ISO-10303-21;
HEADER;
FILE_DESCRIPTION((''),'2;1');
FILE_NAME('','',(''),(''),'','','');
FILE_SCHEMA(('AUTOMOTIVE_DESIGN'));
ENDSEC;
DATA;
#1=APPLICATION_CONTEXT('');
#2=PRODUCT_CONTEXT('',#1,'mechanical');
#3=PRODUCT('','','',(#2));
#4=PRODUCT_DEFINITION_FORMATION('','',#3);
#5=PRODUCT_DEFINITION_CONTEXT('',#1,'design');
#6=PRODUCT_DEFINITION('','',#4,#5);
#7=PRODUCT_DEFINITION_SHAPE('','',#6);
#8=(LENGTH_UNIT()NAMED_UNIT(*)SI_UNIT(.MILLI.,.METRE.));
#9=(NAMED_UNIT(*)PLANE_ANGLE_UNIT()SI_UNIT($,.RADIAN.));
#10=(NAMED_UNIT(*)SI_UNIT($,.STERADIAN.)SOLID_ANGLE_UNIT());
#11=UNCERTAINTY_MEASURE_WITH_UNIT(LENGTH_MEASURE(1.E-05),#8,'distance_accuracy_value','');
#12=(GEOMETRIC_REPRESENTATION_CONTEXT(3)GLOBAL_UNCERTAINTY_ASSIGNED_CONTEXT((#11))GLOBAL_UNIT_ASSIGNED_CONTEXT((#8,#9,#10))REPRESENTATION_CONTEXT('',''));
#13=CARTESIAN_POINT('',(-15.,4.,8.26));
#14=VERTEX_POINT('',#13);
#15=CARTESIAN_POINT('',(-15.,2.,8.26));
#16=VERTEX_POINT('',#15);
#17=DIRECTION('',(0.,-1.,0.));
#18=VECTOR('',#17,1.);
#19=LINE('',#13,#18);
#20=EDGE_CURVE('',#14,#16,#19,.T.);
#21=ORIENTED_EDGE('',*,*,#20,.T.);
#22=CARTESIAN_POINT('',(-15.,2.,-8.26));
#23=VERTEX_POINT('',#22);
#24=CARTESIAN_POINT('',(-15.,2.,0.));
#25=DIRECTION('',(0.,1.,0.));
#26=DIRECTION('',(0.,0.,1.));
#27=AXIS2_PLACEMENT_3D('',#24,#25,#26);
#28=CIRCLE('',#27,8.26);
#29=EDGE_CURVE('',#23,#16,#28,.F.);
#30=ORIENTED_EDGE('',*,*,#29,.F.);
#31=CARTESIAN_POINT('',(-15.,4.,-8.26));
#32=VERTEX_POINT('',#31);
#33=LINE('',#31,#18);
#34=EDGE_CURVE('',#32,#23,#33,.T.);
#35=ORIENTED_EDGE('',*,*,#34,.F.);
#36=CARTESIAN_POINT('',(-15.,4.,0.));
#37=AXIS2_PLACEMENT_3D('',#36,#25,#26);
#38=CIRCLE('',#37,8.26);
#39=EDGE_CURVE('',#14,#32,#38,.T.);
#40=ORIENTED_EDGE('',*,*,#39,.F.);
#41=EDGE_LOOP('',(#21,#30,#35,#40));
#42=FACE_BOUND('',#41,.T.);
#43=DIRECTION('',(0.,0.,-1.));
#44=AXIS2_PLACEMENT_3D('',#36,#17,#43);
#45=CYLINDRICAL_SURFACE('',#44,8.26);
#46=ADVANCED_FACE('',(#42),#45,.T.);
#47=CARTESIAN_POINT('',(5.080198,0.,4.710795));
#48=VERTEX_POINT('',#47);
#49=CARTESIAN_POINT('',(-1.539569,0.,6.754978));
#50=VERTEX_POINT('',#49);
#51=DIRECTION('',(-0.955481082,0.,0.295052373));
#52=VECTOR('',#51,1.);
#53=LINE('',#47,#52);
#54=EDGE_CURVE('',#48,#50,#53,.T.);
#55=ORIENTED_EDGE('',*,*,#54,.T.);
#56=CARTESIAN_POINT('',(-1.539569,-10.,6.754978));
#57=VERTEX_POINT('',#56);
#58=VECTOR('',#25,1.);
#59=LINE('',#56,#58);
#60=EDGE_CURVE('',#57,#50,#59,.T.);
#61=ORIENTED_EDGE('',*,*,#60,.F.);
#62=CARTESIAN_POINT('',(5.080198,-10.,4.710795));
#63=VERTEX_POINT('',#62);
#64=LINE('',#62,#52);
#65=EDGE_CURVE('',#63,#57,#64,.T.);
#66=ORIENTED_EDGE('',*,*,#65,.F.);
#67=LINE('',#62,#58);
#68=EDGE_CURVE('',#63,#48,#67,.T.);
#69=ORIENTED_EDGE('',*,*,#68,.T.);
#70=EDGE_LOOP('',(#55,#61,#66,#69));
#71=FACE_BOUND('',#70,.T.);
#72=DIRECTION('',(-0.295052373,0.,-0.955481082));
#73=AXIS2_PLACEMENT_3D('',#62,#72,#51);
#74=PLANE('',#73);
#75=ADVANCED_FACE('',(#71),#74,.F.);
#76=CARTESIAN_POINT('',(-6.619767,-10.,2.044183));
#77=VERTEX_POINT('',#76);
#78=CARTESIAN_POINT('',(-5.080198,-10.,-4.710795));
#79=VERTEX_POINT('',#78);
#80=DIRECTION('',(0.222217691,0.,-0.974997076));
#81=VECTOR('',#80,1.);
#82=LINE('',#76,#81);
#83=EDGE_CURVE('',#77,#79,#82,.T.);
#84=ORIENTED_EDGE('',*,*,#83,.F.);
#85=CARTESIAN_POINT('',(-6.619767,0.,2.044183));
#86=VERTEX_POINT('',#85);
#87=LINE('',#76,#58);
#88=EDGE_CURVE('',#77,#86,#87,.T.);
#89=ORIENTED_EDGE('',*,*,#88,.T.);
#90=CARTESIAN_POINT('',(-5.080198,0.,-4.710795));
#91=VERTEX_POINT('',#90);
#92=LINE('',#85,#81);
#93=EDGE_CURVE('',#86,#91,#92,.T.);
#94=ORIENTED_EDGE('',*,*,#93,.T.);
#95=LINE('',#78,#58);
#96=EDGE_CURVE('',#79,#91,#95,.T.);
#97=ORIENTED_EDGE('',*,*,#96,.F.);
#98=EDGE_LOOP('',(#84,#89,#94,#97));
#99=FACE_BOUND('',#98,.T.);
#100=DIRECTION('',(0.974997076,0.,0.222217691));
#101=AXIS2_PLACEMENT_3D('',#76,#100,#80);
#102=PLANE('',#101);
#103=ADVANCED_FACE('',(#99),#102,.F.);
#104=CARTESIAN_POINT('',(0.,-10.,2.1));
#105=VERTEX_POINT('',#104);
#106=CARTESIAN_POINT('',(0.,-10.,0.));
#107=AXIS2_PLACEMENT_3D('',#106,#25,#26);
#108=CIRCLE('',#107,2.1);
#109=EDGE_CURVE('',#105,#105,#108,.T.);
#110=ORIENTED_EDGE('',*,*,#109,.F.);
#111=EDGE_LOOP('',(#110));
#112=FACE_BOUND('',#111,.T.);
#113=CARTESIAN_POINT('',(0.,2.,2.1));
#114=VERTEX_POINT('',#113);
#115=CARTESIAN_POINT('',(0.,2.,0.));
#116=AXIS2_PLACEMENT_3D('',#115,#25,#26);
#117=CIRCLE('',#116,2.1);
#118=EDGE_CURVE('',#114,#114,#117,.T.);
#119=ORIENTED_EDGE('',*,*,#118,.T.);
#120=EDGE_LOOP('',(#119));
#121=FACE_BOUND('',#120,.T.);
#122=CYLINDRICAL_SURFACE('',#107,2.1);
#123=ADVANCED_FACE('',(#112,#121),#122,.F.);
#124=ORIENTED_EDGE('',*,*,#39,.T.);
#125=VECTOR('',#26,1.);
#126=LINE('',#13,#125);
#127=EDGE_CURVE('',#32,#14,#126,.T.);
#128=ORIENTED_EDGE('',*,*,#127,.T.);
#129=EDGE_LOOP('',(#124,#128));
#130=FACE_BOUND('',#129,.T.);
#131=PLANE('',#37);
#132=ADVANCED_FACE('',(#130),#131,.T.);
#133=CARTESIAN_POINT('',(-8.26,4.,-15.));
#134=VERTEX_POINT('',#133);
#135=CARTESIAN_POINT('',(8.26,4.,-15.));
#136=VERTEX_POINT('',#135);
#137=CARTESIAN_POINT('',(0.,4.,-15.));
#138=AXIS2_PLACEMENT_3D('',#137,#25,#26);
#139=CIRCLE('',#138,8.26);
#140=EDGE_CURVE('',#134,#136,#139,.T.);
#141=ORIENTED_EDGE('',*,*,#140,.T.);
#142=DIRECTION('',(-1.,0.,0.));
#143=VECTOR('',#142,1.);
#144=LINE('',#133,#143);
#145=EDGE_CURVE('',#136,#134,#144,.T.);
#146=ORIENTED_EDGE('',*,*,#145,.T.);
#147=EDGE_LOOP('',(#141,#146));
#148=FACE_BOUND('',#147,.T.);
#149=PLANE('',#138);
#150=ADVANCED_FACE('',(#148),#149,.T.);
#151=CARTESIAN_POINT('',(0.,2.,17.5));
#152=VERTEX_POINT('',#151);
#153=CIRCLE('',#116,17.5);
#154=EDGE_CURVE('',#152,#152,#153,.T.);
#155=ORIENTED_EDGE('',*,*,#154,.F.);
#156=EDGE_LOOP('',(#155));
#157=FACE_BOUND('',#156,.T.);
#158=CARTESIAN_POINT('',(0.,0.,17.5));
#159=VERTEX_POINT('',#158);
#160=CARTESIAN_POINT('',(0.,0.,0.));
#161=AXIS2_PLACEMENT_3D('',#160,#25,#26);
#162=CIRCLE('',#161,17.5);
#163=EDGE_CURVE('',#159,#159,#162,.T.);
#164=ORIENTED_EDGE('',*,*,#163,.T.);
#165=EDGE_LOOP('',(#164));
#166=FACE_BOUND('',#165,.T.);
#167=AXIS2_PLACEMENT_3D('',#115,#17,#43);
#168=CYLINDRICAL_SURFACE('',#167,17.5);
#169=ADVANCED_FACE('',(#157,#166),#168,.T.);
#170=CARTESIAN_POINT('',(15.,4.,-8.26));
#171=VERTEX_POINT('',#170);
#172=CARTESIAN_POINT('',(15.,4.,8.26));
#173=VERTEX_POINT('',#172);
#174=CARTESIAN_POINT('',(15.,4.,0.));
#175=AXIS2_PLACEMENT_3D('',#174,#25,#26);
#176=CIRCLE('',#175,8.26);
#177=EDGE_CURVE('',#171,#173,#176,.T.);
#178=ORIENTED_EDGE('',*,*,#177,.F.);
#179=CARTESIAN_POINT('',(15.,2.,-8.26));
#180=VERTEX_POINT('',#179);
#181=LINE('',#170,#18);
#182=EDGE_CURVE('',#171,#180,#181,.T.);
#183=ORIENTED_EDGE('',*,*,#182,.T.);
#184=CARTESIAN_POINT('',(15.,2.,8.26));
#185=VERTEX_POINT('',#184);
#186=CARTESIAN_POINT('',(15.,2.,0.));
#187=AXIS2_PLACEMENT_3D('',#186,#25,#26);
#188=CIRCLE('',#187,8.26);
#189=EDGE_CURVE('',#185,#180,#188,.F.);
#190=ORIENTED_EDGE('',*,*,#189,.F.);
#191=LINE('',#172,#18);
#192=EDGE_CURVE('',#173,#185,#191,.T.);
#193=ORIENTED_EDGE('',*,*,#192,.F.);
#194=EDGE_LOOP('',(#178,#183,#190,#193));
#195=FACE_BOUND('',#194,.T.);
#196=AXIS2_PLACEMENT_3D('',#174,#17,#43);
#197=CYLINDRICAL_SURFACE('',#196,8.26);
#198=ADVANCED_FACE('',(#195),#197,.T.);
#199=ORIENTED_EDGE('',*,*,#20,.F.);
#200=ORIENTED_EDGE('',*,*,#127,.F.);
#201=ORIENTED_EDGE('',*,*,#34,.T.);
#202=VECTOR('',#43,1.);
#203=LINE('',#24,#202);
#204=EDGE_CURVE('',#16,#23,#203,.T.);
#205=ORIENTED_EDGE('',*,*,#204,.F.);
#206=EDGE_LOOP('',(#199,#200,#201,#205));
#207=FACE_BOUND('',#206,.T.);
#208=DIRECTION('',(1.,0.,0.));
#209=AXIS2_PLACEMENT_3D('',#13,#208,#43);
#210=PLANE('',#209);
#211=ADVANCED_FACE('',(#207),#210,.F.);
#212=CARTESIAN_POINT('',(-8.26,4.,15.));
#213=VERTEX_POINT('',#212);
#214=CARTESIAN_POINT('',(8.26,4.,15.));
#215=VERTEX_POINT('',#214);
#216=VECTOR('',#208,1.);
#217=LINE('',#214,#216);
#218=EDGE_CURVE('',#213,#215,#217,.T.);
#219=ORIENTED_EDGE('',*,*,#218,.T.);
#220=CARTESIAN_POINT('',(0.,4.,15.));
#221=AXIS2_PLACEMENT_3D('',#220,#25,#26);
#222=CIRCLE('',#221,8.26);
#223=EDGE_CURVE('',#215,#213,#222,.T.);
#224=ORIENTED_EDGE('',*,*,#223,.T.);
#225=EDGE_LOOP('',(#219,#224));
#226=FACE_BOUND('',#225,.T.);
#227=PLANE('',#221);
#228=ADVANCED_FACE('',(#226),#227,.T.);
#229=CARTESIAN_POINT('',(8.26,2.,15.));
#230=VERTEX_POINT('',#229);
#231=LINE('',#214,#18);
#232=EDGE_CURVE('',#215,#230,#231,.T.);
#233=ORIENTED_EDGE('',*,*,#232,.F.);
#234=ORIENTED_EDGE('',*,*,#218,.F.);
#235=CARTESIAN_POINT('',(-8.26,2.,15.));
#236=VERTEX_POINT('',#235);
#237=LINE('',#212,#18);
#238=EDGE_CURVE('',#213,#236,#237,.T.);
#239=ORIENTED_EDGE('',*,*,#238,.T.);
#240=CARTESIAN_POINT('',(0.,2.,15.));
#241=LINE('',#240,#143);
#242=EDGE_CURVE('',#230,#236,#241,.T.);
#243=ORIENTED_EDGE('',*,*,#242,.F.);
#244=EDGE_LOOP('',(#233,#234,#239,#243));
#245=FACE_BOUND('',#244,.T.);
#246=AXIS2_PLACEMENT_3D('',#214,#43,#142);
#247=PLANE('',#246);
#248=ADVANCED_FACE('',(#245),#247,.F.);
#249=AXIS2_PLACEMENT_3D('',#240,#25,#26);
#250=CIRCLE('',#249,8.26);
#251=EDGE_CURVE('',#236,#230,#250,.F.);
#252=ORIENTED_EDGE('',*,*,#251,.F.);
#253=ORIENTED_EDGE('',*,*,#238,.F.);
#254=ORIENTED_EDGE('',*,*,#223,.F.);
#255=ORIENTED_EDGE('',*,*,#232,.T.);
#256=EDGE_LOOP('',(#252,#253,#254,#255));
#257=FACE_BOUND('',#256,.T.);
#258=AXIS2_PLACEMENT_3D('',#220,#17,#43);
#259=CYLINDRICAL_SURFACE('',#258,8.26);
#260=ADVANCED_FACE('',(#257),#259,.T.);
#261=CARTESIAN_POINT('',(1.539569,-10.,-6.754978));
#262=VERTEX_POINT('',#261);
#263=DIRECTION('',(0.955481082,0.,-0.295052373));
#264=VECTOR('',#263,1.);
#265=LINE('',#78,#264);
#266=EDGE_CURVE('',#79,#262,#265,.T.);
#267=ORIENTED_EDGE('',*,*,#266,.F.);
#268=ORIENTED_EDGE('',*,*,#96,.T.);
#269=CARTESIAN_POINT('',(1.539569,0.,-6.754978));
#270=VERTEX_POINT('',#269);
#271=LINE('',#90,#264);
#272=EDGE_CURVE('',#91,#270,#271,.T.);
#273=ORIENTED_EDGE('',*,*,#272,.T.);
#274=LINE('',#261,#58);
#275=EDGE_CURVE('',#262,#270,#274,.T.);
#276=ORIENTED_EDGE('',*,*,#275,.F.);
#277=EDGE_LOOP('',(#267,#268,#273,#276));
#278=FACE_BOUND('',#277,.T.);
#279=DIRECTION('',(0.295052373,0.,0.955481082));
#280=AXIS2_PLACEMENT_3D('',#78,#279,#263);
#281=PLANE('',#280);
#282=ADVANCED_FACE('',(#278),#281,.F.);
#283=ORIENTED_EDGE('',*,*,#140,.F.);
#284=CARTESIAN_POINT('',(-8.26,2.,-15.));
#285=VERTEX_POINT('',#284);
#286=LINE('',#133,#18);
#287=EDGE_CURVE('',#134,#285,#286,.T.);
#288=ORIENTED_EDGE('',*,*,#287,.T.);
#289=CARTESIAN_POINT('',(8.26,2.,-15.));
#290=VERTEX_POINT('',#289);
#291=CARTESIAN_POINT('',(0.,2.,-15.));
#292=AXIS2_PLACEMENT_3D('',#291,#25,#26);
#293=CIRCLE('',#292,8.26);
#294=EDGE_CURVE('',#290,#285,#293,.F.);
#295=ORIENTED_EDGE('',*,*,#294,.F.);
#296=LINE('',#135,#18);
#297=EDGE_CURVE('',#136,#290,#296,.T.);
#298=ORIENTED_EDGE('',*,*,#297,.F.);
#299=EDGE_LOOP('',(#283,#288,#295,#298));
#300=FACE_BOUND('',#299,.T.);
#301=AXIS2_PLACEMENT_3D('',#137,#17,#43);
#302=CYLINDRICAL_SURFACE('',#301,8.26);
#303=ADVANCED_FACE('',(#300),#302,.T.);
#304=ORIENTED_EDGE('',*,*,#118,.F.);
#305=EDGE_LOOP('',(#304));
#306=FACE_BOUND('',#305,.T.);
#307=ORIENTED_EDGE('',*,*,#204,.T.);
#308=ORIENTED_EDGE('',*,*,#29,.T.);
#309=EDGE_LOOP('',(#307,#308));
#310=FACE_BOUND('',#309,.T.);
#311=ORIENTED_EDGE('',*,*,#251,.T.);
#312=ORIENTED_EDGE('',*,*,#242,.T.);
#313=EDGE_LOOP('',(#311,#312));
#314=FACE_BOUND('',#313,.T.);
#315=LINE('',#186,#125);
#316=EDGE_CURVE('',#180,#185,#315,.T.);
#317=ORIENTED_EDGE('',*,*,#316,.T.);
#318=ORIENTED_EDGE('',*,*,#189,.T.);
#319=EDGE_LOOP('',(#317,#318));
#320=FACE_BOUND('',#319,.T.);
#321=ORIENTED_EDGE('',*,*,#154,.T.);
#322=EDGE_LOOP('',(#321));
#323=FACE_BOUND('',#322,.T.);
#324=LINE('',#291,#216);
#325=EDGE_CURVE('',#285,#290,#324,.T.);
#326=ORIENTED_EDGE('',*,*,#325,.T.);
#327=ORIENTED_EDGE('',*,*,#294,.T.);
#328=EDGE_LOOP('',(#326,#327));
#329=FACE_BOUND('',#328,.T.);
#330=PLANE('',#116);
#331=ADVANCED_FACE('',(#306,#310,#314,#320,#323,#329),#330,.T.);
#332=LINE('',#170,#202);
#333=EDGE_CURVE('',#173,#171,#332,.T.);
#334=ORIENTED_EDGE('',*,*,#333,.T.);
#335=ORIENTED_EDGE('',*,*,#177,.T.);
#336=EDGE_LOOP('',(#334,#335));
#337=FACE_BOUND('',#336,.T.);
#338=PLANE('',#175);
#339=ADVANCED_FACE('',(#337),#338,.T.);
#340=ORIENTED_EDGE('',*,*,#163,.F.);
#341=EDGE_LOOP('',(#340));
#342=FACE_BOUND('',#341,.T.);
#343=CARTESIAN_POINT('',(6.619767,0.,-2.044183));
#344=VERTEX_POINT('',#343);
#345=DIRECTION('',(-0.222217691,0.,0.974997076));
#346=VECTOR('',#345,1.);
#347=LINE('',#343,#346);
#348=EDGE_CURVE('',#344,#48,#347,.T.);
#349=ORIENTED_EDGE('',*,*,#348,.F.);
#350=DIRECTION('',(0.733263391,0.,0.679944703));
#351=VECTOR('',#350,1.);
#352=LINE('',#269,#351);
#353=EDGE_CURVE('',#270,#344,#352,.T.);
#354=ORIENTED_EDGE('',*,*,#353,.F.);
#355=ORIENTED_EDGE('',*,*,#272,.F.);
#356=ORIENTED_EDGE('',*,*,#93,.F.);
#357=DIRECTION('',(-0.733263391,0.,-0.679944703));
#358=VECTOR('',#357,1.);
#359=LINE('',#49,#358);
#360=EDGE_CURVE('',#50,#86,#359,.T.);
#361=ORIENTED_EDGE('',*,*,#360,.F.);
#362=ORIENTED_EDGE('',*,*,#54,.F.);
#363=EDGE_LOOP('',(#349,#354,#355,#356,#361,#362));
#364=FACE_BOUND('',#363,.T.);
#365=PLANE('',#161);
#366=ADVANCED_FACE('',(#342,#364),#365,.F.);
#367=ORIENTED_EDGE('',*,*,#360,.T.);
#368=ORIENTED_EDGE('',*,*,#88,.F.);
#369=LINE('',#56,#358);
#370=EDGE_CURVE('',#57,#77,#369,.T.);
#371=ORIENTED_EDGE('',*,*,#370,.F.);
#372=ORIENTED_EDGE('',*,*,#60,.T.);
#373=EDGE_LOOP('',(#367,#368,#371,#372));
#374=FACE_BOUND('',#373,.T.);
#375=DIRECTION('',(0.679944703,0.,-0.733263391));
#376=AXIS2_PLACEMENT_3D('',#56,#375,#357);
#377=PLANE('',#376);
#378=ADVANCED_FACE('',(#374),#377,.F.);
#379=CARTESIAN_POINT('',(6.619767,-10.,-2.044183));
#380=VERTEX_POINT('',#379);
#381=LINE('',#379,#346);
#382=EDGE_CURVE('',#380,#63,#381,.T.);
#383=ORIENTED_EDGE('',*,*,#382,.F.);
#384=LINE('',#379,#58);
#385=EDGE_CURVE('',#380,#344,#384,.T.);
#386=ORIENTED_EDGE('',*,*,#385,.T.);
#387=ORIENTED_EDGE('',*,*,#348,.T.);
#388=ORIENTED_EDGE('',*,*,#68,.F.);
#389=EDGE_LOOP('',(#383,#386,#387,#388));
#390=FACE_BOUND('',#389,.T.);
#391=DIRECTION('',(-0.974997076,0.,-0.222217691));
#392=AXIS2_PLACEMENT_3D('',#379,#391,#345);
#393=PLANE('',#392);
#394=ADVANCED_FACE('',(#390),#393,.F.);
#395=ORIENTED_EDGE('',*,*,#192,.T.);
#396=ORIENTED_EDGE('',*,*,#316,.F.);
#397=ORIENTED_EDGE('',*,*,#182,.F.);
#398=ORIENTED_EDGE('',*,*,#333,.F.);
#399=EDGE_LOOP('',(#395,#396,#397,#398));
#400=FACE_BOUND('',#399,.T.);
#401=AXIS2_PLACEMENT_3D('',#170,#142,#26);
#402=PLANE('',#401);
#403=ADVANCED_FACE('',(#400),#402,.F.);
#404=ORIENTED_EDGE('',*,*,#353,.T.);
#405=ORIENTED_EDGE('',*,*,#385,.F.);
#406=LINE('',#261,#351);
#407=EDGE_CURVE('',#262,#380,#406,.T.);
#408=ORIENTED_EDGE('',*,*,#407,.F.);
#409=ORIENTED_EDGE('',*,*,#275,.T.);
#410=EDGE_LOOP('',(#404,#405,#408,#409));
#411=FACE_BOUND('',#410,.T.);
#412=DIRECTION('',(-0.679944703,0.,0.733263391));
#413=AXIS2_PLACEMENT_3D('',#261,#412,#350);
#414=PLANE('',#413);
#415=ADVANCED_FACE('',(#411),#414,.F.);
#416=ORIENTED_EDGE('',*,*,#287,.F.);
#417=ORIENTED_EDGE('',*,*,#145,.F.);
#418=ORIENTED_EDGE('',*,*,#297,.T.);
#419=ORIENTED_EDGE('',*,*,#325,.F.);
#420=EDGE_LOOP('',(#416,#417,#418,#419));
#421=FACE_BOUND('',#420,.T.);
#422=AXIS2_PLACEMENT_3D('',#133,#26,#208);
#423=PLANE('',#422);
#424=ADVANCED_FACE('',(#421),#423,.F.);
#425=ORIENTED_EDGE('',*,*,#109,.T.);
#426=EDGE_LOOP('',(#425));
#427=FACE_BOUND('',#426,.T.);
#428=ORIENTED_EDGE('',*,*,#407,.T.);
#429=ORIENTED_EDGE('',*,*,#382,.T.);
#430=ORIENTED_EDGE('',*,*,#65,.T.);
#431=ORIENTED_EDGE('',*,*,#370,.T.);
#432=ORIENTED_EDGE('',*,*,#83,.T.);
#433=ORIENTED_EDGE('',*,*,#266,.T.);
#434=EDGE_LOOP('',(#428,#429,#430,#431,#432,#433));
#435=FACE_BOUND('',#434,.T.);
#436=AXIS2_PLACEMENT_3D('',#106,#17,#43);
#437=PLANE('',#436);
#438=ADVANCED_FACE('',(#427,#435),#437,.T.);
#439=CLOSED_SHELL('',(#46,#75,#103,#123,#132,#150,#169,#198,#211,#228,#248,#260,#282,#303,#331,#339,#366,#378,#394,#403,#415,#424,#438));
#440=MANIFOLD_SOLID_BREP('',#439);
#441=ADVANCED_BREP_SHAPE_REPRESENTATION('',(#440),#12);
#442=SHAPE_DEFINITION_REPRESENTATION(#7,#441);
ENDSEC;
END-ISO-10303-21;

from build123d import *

# Parameters (mm, degrees)
SKETCH4_R               = 17.5
BOSS_EXTRUDE1_DEPTH     = 2
BOSS_EXTRUDE2_DEPTH     = 4
BOSS_EXTRUDE3_DEPTH     = 10
SKETCH6_R               = 2.1
CUT_EXTRUDE1_DEPTH      = 3
CUT_EXTRUDE1_DEPTH_BACK = 13


with BuildPart() as part:
    # Sketch4 → Boss-Extrude1 (new body)
    with BuildSketch(Plane(origin=(0, 0, 0), x_dir=(1, 0, 0), z_dir=(0, 1, 0))):
        Circle(SKETCH4_R)
    extrude(amount=BOSS_EXTRUDE1_DEPTH)

    # Sketch1 → Boss-Extrude2 (add)
    with BuildSketch(Plane(origin=(0, 0, 0), x_dir=(1, 0, 0), z_dir=(0, 1, 0))):
        with BuildLine():
            Line((-8.26, 15), (8.26, 15))
            ThreePointArc((8.26, 15), (0, 6.74), (-8.26, 15))
        make_face()
        with BuildLine():
            Line((15, 8.26), (15, -8.26))
            ThreePointArc((15, -8.26), (6.74, 0), (15, 8.26))
        make_face()
        with BuildLine():
            Line((8.26, -15), (-8.26, -15))
            ThreePointArc((-8.26, -15), (0, -6.74), (8.26, -15))
        make_face()
        with BuildLine():
            Line((-15, -8.26), (-15, 8.26))
            ThreePointArc((-15, 8.26), (-6.74, 0), (-15, -8.26))
        make_face()
    extrude(amount=BOSS_EXTRUDE2_DEPTH)

    # Sketch5 → Boss-Extrude3 (add)
    with BuildSketch(Plane.XZ):
        Polygon((-6.619767116, 2.044182802), (-5.080197795, -4.710795089), (1.539569322, -6.754977891), (6.619767116, -2.044182802), (5.080197795, 4.710795089), (-1.539569322, 6.754977891), align=None)
    extrude(amount=BOSS_EXTRUDE3_DEPTH)

    # Sketch6 → Cut-Extrude1 (cut, two sides)
    with BuildSketch(Plane(origin=(0, 2, 0), x_dir=(1, 0, 0), z_dir=(0, 1, 0))) as cut_extrude1_sk:
        Circle(SKETCH6_R)
    extrude(amount=CUT_EXTRUDE1_DEPTH, mode=Mode.SUBTRACT)
    extrude(cut_extrude1_sk.sketch, amount=-CUT_EXTRUDE1_DEPTH_BACK, mode=Mode.SUBTRACT)


solid = part.part
